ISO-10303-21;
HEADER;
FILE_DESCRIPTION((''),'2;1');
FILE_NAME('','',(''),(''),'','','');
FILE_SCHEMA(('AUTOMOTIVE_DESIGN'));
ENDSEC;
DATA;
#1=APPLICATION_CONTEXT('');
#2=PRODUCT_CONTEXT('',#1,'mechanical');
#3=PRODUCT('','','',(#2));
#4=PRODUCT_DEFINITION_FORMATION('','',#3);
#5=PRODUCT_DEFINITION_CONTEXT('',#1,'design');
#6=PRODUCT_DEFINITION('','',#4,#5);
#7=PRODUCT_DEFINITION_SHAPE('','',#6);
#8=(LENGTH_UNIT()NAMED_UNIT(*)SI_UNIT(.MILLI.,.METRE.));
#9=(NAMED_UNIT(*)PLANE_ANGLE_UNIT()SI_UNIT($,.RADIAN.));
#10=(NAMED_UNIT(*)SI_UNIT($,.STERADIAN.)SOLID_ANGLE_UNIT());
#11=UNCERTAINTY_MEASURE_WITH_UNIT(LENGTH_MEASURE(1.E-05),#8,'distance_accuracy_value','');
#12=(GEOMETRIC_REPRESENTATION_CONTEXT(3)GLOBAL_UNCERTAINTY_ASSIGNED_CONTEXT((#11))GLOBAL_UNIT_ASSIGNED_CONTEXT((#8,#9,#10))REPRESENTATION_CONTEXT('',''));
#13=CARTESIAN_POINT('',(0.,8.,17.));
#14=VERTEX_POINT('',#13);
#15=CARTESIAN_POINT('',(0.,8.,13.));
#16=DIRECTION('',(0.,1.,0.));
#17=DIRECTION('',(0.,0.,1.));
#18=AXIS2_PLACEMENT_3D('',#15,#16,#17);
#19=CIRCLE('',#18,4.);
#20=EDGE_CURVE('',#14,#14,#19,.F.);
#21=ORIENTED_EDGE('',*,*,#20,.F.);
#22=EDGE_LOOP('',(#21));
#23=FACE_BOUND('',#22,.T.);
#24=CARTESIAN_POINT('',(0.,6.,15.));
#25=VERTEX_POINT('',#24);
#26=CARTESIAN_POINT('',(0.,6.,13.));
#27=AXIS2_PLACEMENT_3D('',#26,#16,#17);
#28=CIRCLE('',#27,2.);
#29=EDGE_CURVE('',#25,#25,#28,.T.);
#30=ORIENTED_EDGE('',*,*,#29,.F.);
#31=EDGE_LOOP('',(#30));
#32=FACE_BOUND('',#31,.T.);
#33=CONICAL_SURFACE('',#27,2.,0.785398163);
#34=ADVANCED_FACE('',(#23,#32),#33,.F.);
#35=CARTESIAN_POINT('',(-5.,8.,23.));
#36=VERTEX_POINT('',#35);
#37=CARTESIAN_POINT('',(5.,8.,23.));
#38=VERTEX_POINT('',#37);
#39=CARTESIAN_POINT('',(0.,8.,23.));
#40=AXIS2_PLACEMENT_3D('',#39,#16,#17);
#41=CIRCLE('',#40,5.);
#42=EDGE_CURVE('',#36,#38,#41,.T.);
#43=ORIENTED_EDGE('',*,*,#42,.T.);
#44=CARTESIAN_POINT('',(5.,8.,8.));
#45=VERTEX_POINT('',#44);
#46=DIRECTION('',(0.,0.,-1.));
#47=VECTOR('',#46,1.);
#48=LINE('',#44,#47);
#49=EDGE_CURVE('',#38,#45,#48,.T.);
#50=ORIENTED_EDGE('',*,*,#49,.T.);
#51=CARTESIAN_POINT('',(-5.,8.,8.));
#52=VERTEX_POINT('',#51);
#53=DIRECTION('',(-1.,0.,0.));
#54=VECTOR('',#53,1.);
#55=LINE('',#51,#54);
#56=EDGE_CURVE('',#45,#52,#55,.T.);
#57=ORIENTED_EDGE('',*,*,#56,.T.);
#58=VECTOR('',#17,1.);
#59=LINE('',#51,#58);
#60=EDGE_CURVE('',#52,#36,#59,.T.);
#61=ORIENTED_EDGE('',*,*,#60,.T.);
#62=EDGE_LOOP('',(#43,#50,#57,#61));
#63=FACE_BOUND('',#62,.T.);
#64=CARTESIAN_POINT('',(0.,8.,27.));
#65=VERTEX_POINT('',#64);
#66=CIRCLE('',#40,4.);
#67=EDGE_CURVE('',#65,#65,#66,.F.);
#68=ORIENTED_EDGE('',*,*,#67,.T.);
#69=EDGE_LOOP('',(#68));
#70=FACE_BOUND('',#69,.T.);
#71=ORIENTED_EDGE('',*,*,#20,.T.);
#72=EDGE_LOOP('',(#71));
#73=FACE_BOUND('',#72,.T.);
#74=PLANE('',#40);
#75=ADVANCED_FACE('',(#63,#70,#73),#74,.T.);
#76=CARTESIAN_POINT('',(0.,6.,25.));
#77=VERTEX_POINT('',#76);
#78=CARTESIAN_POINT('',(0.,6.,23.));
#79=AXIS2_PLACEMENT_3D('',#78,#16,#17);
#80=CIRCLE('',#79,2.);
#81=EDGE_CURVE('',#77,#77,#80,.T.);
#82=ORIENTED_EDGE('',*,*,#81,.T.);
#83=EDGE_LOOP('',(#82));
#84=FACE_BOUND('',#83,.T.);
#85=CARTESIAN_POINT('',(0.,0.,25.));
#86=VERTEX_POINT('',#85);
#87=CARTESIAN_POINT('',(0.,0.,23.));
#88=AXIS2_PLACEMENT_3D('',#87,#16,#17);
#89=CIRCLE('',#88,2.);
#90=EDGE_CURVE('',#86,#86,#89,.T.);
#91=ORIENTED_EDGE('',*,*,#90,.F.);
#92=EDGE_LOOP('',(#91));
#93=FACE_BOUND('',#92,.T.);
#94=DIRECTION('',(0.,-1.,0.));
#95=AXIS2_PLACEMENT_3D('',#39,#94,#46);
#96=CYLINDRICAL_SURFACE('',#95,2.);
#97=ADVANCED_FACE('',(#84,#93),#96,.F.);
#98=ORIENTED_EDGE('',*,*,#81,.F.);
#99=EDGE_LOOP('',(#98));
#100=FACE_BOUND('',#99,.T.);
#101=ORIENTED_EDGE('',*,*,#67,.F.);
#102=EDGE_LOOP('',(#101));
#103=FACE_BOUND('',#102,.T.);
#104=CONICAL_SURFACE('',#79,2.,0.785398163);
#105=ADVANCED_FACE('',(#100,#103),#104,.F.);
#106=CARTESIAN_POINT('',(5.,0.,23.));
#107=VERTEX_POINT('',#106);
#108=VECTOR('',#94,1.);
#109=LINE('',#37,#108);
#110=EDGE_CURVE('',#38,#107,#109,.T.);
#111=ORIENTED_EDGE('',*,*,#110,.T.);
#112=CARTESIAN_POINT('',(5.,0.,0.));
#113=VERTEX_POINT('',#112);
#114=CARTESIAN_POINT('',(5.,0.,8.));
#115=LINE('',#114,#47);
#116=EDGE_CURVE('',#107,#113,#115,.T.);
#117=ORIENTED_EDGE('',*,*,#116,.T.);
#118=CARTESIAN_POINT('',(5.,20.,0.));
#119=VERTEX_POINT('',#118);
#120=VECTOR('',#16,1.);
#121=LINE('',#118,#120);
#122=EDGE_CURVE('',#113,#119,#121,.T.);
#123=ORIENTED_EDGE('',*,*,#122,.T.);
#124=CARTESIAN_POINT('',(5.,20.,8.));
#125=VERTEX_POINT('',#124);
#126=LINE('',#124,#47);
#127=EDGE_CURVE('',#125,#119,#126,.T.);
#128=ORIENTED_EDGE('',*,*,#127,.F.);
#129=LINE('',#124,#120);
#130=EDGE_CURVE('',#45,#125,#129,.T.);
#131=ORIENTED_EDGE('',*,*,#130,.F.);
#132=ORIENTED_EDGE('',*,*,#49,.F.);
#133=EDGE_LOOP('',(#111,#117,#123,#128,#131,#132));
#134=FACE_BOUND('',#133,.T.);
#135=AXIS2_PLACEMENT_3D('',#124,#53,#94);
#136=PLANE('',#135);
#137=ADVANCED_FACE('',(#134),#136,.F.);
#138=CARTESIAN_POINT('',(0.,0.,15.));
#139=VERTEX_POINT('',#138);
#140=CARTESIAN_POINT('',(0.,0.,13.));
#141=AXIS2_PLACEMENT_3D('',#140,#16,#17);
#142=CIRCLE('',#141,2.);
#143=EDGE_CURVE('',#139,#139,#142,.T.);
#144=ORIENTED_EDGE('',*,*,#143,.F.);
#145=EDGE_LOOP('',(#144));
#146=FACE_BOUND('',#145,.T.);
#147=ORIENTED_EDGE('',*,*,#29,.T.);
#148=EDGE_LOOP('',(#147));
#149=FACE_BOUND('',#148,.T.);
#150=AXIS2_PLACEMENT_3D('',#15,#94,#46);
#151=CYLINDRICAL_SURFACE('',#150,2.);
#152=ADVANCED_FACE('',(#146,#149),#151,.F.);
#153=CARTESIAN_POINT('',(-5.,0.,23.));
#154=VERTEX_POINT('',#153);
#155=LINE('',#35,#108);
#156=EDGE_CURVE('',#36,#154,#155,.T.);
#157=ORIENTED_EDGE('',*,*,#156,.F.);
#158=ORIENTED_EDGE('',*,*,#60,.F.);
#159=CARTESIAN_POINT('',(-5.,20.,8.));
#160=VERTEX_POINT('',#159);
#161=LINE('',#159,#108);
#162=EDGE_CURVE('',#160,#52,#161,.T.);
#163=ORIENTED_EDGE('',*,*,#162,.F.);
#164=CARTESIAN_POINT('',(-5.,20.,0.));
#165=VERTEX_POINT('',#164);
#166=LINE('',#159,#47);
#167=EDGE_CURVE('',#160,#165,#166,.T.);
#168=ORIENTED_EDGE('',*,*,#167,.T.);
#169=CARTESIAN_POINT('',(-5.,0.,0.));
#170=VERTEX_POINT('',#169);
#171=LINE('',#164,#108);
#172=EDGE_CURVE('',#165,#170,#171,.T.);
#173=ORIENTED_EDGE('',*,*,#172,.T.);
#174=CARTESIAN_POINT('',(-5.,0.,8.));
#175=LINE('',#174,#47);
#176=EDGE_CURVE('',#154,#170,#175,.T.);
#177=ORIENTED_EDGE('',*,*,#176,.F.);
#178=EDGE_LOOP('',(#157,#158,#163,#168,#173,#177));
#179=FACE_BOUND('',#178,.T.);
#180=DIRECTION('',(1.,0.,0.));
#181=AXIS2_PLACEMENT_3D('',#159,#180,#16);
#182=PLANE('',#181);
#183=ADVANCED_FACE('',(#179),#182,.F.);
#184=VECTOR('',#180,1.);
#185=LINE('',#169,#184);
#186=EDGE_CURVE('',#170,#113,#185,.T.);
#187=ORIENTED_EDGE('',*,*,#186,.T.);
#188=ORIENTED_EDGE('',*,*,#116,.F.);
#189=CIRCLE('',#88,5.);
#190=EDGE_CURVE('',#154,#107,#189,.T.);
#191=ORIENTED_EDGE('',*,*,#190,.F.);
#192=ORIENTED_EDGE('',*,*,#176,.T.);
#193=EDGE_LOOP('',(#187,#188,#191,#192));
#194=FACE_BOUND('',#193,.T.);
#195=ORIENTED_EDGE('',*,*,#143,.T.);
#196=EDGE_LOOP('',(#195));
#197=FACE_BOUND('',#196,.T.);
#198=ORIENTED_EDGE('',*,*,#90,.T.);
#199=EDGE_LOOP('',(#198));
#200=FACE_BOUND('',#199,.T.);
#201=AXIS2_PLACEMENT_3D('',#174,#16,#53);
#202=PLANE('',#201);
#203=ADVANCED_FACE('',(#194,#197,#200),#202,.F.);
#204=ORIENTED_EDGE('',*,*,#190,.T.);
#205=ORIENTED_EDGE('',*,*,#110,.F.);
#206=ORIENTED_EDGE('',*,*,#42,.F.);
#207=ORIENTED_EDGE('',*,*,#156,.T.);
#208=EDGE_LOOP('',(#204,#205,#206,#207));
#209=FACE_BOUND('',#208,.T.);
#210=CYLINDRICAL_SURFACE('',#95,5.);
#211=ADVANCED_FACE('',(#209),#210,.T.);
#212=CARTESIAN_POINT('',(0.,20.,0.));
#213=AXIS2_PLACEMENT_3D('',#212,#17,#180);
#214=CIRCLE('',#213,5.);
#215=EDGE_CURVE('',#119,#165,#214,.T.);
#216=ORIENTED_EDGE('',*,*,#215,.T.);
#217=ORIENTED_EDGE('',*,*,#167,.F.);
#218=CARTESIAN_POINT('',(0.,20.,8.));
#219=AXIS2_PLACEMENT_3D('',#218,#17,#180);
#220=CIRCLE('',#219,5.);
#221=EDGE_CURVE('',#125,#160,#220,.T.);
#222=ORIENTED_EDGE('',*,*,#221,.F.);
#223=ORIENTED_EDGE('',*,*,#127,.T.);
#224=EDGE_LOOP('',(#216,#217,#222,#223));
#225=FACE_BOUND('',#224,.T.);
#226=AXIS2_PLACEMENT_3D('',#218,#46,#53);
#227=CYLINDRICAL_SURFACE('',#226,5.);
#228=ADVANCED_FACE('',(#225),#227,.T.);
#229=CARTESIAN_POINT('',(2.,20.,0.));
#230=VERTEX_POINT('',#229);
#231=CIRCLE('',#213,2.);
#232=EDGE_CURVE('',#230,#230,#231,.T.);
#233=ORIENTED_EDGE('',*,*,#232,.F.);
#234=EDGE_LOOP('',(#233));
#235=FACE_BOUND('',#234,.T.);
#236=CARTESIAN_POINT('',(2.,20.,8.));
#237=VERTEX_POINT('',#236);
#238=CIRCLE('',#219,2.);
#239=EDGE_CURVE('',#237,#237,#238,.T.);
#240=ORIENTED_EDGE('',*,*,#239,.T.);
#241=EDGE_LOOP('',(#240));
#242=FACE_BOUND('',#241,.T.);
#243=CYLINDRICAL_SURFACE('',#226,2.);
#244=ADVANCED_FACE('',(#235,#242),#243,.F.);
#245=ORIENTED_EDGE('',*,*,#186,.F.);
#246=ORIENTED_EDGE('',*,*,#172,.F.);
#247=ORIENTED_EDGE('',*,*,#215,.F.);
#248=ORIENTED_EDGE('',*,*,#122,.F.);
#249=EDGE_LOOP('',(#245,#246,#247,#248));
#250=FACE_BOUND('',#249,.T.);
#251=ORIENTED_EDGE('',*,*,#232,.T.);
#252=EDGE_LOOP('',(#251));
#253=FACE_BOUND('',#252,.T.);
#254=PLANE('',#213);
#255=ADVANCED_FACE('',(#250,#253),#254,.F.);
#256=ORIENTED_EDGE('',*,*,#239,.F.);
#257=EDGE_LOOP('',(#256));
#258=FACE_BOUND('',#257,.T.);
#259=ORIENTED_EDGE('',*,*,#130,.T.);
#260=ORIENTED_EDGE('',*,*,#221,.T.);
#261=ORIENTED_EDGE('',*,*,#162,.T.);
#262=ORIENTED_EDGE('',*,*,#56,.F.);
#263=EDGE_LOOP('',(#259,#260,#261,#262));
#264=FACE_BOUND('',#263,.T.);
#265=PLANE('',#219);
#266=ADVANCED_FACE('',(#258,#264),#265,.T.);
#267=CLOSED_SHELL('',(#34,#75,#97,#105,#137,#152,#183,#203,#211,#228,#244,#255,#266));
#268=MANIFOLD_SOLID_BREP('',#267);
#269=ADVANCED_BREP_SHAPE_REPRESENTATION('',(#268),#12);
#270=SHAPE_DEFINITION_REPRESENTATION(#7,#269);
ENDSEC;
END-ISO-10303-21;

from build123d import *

# Parameters (mm, degrees)
SKETCH_1_R      = 2
EXTRUDE_1_DEPTH = 8
SKETCH_2_R      = 2
EXTRUDE_2_DEPTH = 8
CHAMFER_1_SIZE  = 2


with BuildPart() as part:
    # 草图1 → 凸台-拉伸1 (new body)
    with BuildSketch(Plane.XY):
        with BuildLine():
            Line((-5, 20), (-5, 0))
            Line((-5, 0), (5, 0))
            Line((5, 0), (5, 20))
            ThreePointArc((5, 20), (0, 25), (-5, 20))
        make_face()
        with Locations((0, 20)):
            Circle(SKETCH_1_R, mode=Mode.SUBTRACT)
    extrude(amount=EXTRUDE_1_DEPTH)

    # 草图2 → 凸台-拉伸2 (add)
    with BuildSketch(Plane(origin=(0, 0, 0), x_dir=(1, 0, 0), z_dir=(0, 1, 0))):
        with BuildLine():
            Line((-5, -8), (5, -8))
            Line((5, -8), (5, -23))
            ThreePointArc((5, -23), (0, -28), (-5, -23))
            Line((-5, -23), (-5, -8))
        make_face()
        with Locations(Location((0, -23, 0), (0, 0, 270))):
            Circle(SKETCH_2_R, mode=Mode.SUBTRACT)
        with Locations(Location((0, -13, 0), (0, 0, 270))):
            Circle(SKETCH_2_R, mode=Mode.SUBTRACT)
    extrude(amount=EXTRUDE_2_DEPTH)

    # 倒角1
    chamfer_1_edges = [part.edges().sort_by_distance(p)[0] for p in [
        (0, 8, 21),
        (0, 8, 11),
    ]]
    chamfer(chamfer_1_edges, length=CHAMFER_1_SIZE)


solid = part.part
